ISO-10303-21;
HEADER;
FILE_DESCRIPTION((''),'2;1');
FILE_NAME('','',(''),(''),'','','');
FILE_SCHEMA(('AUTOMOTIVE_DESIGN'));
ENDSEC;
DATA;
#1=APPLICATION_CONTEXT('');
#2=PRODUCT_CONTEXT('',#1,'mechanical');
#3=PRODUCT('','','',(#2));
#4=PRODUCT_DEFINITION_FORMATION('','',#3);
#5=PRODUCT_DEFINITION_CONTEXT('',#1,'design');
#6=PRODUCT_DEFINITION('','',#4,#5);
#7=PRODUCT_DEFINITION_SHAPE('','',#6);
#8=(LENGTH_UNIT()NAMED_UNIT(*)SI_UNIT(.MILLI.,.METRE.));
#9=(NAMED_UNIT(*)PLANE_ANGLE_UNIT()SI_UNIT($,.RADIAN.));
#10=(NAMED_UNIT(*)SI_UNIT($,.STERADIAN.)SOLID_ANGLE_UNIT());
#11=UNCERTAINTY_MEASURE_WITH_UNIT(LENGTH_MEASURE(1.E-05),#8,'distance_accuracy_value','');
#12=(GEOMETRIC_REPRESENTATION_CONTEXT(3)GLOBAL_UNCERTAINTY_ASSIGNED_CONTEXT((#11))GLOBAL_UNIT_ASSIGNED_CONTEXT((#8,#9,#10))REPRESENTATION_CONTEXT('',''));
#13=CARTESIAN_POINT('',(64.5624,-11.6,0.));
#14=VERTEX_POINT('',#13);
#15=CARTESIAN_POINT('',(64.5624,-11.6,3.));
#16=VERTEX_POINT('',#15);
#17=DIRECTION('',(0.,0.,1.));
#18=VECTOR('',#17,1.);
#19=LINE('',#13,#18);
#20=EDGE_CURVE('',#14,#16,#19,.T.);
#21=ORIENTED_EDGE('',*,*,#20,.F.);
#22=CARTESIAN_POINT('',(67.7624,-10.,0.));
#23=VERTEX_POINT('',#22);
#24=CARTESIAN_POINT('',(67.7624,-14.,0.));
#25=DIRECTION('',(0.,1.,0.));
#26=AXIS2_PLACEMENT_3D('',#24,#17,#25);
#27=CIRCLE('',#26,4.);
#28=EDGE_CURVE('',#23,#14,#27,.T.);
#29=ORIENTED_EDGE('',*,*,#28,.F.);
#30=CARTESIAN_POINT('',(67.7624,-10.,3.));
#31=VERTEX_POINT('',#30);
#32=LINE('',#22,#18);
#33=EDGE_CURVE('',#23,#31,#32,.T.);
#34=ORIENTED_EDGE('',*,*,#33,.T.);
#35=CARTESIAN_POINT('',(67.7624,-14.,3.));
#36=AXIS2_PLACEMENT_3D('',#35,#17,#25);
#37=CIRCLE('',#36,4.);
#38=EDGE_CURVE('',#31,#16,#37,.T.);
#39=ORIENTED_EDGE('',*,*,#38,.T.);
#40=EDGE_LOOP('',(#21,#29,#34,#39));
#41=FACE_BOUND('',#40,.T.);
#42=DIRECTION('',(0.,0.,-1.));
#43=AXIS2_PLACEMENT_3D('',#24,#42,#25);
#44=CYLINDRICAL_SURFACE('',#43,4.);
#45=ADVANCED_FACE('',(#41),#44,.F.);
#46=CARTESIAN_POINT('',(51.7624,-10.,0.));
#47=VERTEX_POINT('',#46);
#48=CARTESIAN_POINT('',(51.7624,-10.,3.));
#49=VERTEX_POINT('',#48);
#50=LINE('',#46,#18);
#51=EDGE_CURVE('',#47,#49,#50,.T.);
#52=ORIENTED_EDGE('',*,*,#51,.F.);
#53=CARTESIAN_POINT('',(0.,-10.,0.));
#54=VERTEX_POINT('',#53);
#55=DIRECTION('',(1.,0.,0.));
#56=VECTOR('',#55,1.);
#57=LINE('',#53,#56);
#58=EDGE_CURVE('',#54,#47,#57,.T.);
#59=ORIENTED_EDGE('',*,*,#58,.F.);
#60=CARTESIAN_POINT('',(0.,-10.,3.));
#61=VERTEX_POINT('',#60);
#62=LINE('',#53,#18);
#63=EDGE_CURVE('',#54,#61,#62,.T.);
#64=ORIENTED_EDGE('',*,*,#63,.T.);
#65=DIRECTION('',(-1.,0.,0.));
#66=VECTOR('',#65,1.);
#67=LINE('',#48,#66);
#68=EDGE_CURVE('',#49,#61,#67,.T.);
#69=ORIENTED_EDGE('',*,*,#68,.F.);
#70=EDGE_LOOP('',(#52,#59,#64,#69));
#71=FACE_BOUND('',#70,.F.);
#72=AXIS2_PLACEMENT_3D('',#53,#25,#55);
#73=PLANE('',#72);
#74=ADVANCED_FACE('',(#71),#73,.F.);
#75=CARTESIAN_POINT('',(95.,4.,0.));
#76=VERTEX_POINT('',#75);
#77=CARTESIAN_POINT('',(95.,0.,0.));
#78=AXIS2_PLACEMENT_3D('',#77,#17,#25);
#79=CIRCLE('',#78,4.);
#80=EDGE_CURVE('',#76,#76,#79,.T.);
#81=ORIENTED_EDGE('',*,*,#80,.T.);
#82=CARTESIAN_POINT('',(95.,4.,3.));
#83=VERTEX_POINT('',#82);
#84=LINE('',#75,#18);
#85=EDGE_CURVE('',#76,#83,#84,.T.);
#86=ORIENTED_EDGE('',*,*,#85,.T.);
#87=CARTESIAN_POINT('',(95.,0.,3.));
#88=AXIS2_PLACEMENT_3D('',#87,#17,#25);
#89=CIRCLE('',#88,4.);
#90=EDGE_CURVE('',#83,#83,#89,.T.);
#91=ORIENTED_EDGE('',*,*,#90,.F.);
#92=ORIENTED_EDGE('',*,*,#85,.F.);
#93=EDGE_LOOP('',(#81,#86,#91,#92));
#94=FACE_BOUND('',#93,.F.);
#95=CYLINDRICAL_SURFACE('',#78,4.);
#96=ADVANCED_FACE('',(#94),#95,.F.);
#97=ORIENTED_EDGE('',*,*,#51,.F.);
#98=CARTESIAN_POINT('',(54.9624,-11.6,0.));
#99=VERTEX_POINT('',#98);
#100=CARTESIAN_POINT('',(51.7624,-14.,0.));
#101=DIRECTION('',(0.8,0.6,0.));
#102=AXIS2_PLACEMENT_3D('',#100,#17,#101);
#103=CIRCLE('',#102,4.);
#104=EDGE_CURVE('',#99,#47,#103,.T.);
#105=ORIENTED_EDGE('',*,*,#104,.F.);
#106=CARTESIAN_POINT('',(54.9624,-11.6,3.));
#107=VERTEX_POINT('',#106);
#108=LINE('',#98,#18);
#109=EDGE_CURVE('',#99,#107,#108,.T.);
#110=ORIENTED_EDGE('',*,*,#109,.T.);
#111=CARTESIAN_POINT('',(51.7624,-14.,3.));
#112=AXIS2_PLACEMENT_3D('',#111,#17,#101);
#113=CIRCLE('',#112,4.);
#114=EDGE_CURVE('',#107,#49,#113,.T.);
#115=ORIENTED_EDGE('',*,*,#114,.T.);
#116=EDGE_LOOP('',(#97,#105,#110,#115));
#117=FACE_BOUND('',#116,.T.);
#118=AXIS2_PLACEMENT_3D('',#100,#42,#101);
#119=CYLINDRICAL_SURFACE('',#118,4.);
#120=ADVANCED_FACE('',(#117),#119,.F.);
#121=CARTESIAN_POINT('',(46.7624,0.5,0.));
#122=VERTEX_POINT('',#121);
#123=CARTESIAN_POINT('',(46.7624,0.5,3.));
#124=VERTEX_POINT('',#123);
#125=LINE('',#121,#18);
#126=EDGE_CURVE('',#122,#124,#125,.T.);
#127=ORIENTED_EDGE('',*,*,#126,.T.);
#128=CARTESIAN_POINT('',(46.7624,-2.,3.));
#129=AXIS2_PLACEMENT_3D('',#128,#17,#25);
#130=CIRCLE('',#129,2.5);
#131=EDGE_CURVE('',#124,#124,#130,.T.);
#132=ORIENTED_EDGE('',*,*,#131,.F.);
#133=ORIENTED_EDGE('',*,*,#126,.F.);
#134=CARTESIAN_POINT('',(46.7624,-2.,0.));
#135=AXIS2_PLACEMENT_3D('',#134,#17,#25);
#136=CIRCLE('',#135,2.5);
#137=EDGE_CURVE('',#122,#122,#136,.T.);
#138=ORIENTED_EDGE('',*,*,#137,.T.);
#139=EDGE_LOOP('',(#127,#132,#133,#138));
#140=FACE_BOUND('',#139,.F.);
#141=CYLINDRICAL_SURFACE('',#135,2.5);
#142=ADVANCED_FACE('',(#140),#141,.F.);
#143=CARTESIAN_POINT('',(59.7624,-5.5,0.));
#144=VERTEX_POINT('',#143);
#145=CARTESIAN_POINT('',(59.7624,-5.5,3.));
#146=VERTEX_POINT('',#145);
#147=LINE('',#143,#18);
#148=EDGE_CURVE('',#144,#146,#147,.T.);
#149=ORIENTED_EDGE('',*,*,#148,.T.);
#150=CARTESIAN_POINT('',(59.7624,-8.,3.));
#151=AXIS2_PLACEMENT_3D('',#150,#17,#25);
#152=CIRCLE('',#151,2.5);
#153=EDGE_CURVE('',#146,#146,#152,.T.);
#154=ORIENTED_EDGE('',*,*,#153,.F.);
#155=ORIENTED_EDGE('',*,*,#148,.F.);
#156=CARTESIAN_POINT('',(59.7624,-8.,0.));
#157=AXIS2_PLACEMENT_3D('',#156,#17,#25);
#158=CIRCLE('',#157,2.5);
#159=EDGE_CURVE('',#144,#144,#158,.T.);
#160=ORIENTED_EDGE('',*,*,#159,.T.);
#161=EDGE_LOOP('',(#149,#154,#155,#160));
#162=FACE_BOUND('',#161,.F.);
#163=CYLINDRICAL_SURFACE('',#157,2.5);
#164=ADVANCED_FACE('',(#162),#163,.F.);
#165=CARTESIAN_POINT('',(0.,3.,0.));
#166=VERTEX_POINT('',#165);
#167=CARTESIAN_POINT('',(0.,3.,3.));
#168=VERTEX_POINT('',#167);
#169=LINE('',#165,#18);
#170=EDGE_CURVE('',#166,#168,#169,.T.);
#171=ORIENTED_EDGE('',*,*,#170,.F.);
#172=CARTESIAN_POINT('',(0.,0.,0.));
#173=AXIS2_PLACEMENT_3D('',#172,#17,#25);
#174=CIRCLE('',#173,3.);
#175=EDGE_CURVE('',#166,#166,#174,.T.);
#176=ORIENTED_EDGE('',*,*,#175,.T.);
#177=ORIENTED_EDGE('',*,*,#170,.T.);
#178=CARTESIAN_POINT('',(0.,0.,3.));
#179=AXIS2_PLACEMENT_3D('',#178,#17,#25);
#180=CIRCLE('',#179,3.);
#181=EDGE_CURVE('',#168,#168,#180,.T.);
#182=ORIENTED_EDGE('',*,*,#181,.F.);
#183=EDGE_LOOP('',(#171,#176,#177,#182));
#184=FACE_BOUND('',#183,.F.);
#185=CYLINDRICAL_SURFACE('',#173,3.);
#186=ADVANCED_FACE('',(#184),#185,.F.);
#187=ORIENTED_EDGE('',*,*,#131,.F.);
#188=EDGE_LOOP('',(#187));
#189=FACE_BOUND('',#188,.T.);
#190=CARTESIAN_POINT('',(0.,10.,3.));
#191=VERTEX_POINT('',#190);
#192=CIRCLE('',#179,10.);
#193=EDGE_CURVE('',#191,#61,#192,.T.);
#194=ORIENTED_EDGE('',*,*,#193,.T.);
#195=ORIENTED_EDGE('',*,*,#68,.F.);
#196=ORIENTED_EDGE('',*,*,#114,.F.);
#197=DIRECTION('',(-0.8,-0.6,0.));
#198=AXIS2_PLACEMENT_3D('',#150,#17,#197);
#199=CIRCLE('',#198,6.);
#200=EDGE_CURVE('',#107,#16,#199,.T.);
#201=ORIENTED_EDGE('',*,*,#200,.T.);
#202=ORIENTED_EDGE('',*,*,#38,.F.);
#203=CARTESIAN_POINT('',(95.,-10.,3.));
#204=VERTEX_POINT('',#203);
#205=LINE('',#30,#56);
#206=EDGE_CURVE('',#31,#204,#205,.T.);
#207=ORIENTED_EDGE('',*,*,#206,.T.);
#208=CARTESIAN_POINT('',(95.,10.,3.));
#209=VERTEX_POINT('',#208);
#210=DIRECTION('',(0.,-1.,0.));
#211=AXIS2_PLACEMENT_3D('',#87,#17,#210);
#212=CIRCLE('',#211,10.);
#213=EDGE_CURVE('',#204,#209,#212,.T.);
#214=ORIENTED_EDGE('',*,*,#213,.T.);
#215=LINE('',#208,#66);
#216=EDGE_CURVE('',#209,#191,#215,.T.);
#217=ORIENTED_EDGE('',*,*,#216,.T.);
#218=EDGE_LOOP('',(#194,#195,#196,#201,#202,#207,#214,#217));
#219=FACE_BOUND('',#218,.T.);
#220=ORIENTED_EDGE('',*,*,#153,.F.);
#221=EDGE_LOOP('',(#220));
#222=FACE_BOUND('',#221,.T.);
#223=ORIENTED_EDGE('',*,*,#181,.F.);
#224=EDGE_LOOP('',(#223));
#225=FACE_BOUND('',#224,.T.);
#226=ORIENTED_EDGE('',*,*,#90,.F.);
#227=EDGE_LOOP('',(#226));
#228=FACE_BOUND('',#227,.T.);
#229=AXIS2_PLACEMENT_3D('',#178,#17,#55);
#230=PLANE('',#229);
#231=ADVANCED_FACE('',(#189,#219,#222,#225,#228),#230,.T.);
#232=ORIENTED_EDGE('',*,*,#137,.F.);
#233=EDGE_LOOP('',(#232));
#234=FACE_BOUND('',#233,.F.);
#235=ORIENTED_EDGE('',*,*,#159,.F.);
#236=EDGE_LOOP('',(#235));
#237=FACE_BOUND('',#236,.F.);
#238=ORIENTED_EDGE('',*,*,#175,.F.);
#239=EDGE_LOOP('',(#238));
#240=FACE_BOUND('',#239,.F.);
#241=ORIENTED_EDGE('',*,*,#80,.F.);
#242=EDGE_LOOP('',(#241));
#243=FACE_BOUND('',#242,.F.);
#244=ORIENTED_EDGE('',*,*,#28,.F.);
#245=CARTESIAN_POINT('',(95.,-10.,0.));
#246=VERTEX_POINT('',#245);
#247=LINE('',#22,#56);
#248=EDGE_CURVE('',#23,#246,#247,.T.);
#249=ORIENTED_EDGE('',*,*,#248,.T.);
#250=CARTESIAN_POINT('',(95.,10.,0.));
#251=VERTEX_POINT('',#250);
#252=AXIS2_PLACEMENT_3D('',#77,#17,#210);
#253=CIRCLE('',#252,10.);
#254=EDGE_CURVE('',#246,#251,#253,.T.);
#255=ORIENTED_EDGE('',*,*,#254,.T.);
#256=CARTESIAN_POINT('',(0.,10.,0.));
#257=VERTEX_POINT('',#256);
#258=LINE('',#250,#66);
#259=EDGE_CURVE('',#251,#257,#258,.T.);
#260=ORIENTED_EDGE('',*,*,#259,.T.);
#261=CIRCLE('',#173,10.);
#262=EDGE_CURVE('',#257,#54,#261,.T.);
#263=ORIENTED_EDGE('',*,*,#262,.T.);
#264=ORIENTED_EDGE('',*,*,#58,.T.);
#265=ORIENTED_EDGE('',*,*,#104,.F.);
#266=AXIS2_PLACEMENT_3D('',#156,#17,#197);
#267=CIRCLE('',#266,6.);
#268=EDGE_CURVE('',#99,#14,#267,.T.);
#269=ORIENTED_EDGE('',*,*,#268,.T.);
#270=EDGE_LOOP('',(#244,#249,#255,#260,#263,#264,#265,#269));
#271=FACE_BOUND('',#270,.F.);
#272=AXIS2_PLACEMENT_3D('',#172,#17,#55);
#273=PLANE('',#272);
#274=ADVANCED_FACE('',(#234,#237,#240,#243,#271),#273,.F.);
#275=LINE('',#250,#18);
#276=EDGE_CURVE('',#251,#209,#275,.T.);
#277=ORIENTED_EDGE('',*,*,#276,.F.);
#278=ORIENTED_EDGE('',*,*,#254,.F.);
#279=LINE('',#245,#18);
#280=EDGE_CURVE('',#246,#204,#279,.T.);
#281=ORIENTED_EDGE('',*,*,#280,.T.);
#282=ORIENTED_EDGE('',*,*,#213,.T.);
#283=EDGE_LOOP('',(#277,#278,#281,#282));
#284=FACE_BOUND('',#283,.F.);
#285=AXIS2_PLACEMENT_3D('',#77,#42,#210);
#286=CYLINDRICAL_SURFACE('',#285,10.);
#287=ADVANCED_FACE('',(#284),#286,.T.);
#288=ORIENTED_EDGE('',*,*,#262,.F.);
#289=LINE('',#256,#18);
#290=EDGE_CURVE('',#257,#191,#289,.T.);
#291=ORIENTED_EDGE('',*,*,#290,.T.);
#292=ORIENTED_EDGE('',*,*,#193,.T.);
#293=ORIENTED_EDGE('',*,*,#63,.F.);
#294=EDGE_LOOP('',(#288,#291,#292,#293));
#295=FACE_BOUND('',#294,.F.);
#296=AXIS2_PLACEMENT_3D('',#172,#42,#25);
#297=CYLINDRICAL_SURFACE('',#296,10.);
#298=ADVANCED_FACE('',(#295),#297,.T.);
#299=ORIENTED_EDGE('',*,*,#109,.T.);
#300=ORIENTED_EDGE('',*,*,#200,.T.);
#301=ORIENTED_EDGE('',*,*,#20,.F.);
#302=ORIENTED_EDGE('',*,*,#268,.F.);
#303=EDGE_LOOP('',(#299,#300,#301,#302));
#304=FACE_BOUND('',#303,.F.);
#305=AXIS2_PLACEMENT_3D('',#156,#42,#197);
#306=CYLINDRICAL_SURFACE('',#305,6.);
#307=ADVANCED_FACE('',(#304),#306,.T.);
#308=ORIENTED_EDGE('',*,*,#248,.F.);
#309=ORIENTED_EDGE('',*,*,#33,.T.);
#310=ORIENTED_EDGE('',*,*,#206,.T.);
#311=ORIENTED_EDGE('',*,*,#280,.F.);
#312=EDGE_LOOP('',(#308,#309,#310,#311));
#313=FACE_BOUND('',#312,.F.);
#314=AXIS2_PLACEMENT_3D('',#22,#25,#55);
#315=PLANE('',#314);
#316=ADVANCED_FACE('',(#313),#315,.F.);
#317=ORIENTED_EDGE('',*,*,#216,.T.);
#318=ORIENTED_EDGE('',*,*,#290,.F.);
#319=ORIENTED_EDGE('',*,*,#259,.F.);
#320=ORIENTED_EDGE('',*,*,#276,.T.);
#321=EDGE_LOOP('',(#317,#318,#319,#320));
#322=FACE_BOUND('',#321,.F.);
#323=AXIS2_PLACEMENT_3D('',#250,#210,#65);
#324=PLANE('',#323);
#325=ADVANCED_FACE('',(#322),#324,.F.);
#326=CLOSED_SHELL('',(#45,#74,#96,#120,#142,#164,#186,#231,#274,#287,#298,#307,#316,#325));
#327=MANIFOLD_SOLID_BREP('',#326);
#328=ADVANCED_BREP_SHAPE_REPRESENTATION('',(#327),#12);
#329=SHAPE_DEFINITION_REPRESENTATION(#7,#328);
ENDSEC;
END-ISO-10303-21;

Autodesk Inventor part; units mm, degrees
ref_plane "YZ Plane" through (0, 0, 0) normal (1, 0, 0) x (0, 1, 0)
ref_plane "XZ Plane" through (0, 0, 0) normal (0, 1, 0) x (-1, 0, 0)
ref_plane "XY Plane" through (0, 0, 0) normal (0, 0, 1) x (1, 0, 0)
sketch "Szkic1" plane through (0, 0, 0) normal (0, 0, 1) x (1, 0, 0)
  line L0 (0, 0) -> (95, 0) construction
  line L1 (0, -10) -> (5.8348, -10)
  line L2 (95, 10) -> (0, 10)
  arc A0 (0, 10) -> (0, -10) centre (0, 0) ccw
  arc A1 (95, -10) -> (95, 10) centre (95, 0) ccw
  line L3 (5.8348, -10) -> (51.7624, -10)
  arc A2 (54.9624, -11.6) -> (64.5624, -11.6) centre (59.7624, -8) ccw
  line L4 (67.7624, -10) -> (95, -10)
  arc A3 (54.9624, -11.6) -> (51.7624, -10) centre (51.7624, -14) ccw
  arc A4 (67.7624, -10) -> (64.5624, -11.6) centre (67.7624, -14) ccw
  point P0 (47.5, 0)
  point P1 (46.7624, -2)
  point P2 (65.4193, -10)
  point P3 (54.1056, -10)
  point P4 (54.7624, -1)
  dimension "d0" = 95
  dimension "d1" = 20
  dimension "d23" = 12
  dimension "d24" = 4
  dimension "d34" = 8
  dimension "d35" = 5
  dimension "d36" = 7
  dimension "d37" = 1
  dimension "d38" = 6
  dimension "d40" = 40.25
  dimension "d41" = 1
extrude "Wyciągnięcie proste1" add sketch "Szkic1" along normal blind 3
hole "Otwór1" at (95, 0, 0) direction (0, 0, 1) diameter 8 end through all
hole "Otwór2" at (46.7624, -2, 0) at (59.7624, -8, 0) direction (0, 0, 1) diameter 5 end through all
hole "Otwór3" at (0, 0, 0) direction (0, 0, 1) diameter 6 end through all
properties part number "ramie_napinacza"
